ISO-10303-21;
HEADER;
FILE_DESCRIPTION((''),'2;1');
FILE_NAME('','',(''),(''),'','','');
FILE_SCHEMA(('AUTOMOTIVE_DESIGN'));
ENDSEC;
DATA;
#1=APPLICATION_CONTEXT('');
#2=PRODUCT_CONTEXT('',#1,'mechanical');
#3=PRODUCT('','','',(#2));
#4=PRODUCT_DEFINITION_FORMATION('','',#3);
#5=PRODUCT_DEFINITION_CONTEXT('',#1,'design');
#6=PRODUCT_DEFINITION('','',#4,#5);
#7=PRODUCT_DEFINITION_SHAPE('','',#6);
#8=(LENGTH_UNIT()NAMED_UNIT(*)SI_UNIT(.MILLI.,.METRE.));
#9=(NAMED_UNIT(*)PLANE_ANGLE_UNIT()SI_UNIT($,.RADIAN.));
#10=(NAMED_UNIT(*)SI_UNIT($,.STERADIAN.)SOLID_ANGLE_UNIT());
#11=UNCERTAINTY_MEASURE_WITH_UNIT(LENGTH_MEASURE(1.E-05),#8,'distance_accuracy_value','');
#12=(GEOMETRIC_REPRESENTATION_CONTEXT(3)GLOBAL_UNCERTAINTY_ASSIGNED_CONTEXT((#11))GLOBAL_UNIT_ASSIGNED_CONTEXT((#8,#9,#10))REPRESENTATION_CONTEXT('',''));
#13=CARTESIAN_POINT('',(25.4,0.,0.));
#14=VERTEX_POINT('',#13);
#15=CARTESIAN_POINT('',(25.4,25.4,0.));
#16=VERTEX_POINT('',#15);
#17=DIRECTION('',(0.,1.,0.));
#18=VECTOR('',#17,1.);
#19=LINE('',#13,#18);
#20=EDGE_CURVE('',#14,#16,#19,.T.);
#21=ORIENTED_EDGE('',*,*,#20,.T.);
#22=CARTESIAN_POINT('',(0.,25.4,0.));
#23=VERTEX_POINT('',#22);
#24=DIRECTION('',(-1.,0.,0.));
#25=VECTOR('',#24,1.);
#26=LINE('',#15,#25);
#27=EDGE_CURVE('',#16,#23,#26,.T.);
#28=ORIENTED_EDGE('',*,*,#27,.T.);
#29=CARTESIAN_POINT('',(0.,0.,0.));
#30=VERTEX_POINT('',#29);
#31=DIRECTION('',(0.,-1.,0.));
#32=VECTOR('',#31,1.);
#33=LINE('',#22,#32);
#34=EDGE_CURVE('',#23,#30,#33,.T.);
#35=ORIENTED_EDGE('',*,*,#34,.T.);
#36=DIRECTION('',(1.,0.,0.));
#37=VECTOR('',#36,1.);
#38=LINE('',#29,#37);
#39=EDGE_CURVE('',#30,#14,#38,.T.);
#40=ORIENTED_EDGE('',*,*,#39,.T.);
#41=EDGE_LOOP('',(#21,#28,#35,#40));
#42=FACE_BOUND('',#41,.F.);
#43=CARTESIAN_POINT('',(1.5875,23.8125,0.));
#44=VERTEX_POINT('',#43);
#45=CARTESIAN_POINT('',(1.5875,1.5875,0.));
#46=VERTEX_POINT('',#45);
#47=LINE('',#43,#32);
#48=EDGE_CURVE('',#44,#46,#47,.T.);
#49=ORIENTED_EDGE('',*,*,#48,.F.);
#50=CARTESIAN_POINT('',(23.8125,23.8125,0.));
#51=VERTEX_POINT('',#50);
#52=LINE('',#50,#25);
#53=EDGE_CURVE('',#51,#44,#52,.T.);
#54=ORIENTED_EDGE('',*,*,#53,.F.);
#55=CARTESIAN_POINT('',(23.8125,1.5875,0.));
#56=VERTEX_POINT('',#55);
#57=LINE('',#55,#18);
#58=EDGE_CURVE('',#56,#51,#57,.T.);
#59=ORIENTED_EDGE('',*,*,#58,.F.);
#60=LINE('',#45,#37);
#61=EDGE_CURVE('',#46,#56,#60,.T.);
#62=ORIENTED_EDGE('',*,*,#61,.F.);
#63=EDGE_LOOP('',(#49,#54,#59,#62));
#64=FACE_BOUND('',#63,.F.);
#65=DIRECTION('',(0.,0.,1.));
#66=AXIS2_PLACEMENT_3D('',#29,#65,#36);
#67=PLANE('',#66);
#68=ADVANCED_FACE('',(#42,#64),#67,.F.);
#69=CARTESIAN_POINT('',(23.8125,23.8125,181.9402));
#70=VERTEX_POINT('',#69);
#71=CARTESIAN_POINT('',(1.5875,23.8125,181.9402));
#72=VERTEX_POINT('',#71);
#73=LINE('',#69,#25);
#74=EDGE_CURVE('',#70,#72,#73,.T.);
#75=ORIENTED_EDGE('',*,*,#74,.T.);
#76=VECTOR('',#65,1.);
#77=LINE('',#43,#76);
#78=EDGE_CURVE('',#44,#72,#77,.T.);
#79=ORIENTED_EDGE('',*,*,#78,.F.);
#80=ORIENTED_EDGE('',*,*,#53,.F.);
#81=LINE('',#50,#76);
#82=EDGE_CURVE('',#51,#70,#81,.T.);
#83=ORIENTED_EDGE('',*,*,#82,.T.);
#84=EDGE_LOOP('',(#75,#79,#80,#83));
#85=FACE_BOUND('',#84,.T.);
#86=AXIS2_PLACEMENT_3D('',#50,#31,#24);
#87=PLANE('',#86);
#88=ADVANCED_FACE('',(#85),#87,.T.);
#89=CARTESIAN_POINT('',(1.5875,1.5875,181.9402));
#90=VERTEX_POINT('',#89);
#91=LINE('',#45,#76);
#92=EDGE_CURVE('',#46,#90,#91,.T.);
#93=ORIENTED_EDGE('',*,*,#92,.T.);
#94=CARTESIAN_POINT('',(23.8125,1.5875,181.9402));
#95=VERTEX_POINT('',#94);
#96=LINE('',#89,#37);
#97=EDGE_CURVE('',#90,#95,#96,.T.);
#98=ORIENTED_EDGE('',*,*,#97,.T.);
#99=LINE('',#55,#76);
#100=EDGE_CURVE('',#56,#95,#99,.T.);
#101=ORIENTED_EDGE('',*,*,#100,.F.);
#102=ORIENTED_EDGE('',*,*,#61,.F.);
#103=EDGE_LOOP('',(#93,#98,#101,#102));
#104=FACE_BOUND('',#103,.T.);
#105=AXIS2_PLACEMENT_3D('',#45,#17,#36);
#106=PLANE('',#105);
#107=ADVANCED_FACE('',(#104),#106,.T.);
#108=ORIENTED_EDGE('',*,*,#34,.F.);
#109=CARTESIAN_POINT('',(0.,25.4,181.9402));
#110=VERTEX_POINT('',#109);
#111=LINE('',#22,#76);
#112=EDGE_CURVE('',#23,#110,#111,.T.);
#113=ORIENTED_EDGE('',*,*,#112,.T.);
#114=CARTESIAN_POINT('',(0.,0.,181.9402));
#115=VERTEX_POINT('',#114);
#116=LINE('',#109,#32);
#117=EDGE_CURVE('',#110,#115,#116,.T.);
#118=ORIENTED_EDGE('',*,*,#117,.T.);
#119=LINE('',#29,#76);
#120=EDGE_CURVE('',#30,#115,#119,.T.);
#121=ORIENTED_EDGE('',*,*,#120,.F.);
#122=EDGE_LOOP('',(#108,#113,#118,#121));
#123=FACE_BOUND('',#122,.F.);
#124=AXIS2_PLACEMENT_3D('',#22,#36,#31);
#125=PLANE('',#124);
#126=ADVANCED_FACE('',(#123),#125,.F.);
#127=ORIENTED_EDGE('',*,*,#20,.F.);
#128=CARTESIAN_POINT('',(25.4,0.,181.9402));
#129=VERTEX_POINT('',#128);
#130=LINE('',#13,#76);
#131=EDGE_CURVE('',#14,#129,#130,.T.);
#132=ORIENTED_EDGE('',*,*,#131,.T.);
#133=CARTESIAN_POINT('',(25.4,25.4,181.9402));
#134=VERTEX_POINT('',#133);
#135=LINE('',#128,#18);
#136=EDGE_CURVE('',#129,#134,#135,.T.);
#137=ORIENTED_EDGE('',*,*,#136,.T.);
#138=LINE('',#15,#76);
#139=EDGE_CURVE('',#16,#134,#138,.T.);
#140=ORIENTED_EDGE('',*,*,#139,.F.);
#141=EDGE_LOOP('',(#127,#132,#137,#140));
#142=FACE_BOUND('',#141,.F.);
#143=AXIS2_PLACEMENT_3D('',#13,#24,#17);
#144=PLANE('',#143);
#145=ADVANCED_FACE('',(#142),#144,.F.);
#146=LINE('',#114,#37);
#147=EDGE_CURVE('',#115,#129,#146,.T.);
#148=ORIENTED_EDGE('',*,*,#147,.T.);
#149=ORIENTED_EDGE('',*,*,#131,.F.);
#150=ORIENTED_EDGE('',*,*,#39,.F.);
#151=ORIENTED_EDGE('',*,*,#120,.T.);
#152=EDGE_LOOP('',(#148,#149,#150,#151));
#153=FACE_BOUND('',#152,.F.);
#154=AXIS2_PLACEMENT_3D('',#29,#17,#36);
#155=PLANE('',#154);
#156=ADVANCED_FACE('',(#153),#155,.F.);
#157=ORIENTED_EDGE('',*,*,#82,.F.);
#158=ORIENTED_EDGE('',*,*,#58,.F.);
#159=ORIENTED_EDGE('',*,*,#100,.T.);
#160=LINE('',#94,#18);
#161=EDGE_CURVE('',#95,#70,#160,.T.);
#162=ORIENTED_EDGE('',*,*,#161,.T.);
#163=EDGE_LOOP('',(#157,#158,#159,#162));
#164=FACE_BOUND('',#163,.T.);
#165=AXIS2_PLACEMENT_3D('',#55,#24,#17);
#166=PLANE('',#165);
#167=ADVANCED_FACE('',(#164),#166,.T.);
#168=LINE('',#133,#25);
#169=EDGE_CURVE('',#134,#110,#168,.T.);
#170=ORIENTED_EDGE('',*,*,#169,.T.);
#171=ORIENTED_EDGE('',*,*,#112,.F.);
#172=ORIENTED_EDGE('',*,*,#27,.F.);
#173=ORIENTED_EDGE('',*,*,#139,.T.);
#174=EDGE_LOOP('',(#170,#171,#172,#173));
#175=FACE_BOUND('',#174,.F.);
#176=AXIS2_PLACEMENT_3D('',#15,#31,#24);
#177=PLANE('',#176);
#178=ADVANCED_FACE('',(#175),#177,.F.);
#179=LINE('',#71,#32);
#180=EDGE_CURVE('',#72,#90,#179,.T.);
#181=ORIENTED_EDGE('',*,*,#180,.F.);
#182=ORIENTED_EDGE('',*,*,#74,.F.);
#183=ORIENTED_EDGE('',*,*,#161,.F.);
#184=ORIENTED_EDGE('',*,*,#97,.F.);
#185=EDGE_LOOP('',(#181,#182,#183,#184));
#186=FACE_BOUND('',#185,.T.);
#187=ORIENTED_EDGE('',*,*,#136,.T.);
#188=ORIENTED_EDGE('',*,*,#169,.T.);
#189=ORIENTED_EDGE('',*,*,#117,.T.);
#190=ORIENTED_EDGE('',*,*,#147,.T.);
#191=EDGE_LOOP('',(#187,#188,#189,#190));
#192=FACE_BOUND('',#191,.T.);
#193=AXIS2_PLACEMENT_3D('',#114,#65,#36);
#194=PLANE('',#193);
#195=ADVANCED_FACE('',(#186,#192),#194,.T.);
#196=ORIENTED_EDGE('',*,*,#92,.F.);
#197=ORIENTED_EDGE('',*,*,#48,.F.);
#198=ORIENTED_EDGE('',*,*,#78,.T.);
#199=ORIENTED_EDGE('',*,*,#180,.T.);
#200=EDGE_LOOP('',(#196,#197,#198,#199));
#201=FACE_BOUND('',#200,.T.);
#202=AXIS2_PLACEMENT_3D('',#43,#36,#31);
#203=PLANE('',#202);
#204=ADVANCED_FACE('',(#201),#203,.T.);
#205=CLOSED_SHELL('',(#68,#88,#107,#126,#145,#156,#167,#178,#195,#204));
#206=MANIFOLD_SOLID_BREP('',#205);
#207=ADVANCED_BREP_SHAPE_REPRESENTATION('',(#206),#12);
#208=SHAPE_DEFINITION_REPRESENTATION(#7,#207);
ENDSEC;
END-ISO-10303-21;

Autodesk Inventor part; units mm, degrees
ref_plane "YZ Plane" through (0, 0, 0) normal (1, 0, 0) x (0, 1, 0)
ref_plane "XZ Plane" through (0, 0, 0) normal (0, 1, 0) x (-1, 0, 0)
ref_plane "XY Plane" through (0, 0, 0) normal (0, 0, 1) x (1, 0, 0)
sketch "Sketch1" plane through (0, 0, 0) normal (0, 0, 1) x (1, 0, 0)
  line L0 (0, 0) -> (25.4, 0)
  line L1 (25.4, 0) -> (25.4, 25.4)
  line L2 (25.4, 25.4) -> (0, 25.4)
  line L3 (0, 25.4) -> (0, 0)
  line L4 (1.5875, 1.5875) -> (23.8125, 1.5875)
  line L5 (23.8125, 1.5875) -> (23.8125, 23.8125)
  line L6 (23.8125, 23.8125) -> (1.5875, 23.8125)
  line L7 (1.5875, 23.8125) -> (1.5875, 1.5875)
  dimension "d0" = 25.4
  dimension "d1" = 25.4
  dimension "d2" = 1.5875
extrude "Extrusion1" add sketch "Sketch1" along normal blind 181.9402
sketch "Sketch2" plane through (0, 25.4, 0) normal (0, 1, 0) x (1, 0, 0)
  line L0 (25.4, -181.9402) -> (0, -181.9402) projected
  line L1 (0, 0) -> (0, -181.9402) projected
  point P0 (12.7, -57.15)
  dimension "d5" = 124.7902
  dimension "d6" = 12.7
properties part number "FRA_016_SmallTurntableSupports" material "Aluminum 6061"
